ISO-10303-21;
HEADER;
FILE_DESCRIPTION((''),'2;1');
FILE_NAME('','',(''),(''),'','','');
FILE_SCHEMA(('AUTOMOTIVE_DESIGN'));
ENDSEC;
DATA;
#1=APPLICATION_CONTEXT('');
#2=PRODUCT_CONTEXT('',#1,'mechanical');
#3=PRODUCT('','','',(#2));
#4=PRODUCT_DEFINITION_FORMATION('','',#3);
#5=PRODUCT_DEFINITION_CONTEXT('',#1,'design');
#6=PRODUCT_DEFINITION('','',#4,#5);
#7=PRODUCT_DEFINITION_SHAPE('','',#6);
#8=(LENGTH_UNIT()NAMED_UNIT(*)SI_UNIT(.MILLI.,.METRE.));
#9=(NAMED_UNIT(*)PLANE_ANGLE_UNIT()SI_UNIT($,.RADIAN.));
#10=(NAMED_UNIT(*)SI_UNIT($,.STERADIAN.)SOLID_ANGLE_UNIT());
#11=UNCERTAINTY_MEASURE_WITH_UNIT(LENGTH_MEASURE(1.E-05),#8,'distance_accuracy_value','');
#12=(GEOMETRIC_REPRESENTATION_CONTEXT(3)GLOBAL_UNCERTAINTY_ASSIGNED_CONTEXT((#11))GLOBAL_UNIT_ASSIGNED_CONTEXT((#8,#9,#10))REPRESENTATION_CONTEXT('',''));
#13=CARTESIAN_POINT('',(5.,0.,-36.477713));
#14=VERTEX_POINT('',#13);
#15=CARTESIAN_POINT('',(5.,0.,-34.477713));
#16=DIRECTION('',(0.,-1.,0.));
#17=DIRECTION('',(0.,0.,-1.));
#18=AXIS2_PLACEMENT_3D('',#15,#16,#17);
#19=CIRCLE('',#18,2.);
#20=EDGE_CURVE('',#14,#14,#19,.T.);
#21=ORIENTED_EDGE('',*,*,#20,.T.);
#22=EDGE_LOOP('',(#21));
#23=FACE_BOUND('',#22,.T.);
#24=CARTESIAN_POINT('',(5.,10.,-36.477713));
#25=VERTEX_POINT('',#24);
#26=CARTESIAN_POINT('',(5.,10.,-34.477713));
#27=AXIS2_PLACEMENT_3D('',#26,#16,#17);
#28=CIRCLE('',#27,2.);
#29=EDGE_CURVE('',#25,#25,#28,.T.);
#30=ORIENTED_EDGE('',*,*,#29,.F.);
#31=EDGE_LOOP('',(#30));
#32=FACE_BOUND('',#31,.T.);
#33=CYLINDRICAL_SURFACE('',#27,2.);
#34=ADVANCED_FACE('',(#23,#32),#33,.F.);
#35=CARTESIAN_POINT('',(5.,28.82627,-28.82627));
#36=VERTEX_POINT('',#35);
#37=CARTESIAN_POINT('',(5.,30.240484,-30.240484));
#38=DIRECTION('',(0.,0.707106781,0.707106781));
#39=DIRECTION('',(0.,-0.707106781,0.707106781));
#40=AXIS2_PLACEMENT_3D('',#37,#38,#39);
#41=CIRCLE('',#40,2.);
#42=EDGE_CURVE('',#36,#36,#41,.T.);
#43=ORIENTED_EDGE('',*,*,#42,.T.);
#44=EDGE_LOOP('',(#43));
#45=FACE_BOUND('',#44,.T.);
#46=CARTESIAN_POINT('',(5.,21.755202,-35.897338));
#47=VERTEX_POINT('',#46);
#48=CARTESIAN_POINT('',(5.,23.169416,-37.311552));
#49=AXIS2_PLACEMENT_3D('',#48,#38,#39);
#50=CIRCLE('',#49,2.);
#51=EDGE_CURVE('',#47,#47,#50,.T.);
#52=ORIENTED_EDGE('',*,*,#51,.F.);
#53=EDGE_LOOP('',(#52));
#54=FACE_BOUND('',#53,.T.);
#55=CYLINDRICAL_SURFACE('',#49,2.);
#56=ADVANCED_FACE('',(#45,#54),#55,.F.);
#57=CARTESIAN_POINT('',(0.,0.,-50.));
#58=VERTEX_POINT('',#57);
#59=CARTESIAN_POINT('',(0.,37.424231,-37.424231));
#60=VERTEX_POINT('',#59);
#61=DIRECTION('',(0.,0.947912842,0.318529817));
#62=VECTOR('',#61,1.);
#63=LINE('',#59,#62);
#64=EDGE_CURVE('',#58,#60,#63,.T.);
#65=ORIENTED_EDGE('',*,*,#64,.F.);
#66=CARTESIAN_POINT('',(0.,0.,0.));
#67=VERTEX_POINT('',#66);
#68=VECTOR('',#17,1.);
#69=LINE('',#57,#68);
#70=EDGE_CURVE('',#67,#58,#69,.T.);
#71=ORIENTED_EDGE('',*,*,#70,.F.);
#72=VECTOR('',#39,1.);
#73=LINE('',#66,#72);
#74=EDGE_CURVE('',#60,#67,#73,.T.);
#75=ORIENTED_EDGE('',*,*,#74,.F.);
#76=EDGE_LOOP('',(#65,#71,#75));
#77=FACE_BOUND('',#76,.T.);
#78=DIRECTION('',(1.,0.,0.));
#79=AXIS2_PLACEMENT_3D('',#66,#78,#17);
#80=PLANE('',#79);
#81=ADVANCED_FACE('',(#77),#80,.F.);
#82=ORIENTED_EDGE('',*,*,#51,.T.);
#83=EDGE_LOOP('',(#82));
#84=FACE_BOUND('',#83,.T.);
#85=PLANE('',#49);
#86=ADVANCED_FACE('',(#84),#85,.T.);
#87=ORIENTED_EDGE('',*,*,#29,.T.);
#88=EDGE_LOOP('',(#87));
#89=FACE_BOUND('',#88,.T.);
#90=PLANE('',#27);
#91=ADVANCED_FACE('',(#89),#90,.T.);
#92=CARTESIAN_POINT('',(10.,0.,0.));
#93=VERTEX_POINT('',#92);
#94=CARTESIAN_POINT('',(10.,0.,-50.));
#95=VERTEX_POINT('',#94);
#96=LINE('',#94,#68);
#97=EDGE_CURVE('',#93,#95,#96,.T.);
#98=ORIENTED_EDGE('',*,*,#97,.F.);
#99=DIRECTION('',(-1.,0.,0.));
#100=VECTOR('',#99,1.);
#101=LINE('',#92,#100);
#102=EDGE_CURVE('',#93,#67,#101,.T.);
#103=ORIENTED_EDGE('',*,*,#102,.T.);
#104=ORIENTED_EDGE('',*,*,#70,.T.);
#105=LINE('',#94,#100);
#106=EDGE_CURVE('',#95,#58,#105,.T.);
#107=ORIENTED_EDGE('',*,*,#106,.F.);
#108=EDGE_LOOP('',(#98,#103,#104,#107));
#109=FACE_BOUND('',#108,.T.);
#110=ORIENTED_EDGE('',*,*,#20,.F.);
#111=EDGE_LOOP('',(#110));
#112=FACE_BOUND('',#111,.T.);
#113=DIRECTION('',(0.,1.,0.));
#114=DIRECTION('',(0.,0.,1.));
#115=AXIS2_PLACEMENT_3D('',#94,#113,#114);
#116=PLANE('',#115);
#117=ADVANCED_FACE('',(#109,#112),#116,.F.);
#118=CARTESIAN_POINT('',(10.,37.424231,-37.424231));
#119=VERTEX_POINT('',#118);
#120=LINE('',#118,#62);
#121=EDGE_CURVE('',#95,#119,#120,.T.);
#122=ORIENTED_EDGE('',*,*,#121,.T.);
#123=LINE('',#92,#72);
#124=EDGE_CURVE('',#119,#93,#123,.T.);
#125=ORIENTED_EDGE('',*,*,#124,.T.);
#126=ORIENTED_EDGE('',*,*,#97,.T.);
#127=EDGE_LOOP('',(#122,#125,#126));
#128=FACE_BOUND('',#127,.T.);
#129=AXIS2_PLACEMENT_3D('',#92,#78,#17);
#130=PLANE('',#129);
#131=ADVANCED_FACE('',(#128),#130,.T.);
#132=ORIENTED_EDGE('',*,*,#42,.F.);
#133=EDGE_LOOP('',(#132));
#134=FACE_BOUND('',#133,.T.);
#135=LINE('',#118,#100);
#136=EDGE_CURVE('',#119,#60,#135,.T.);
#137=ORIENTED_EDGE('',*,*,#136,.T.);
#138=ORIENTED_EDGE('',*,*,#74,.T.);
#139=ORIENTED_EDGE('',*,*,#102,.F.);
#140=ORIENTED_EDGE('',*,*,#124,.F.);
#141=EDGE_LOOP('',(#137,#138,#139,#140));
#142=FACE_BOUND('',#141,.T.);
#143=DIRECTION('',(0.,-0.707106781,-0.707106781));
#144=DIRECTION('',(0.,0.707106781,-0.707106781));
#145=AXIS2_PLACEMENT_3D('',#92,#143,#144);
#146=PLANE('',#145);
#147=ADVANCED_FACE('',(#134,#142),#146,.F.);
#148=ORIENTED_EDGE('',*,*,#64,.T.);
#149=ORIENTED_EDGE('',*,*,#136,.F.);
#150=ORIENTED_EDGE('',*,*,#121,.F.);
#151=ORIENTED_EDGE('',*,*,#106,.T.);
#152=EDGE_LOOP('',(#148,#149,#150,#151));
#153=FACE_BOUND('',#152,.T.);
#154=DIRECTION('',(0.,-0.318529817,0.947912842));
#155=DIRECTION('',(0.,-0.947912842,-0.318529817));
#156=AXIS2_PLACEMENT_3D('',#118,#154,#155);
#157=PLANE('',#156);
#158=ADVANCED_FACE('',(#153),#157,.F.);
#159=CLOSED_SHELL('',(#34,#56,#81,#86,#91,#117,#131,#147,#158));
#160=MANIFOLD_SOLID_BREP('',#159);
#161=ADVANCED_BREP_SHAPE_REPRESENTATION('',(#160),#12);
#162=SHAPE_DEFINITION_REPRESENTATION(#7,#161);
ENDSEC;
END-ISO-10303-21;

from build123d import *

# Parameters (mm, degrees)
SALIENTE_EXTRUIR1_DEPTH = 10
CROQUIS2_R              = 2
CORTAR_EXTRUIR1_DEPTH   = 10
CROQUIS3_R              = 2
CORTAR_EXTRUIR2_DEPTH   = 10


with BuildPart() as part:
    # Croquis1 → Saliente-Extruir1 (new body)
    with BuildSketch(Plane(origin=(0, 0, 0), x_dir=(0, 0, -1), z_dir=(1, 0, 0))):
        Polygon((0, 0), (37.42423058, 37.42423058), (50, 0), align=None)
    extrude(amount=SALIENTE_EXTRUIR1_DEPTH)

    # Croquis2 → Cortar-Extruir1 (cut)
    with BuildSketch(Plane.XZ):
        with Locations(Location((5, -34.477712546, 0), (0, 0, 270))):
            Circle(CROQUIS2_R)
    extrude(amount=-CORTAR_EXTRUIR1_DEPTH, mode=Mode.SUBTRACT)

    # Croquis3 → Cortar-Extruir2 (cut)
    with BuildSketch(Plane(origin=(0, 0, 0), x_dir=(1, 0, 0), z_dir=(0, 0.7071067811865512, 0.7071067811865439))):
        with Locations(Location((5, 42.766502378, 0), (0, 0, 270))):
            Circle(CROQUIS3_R)
    extrude(amount=-CORTAR_EXTRUIR2_DEPTH, mode=Mode.SUBTRACT)


solid = part.part
